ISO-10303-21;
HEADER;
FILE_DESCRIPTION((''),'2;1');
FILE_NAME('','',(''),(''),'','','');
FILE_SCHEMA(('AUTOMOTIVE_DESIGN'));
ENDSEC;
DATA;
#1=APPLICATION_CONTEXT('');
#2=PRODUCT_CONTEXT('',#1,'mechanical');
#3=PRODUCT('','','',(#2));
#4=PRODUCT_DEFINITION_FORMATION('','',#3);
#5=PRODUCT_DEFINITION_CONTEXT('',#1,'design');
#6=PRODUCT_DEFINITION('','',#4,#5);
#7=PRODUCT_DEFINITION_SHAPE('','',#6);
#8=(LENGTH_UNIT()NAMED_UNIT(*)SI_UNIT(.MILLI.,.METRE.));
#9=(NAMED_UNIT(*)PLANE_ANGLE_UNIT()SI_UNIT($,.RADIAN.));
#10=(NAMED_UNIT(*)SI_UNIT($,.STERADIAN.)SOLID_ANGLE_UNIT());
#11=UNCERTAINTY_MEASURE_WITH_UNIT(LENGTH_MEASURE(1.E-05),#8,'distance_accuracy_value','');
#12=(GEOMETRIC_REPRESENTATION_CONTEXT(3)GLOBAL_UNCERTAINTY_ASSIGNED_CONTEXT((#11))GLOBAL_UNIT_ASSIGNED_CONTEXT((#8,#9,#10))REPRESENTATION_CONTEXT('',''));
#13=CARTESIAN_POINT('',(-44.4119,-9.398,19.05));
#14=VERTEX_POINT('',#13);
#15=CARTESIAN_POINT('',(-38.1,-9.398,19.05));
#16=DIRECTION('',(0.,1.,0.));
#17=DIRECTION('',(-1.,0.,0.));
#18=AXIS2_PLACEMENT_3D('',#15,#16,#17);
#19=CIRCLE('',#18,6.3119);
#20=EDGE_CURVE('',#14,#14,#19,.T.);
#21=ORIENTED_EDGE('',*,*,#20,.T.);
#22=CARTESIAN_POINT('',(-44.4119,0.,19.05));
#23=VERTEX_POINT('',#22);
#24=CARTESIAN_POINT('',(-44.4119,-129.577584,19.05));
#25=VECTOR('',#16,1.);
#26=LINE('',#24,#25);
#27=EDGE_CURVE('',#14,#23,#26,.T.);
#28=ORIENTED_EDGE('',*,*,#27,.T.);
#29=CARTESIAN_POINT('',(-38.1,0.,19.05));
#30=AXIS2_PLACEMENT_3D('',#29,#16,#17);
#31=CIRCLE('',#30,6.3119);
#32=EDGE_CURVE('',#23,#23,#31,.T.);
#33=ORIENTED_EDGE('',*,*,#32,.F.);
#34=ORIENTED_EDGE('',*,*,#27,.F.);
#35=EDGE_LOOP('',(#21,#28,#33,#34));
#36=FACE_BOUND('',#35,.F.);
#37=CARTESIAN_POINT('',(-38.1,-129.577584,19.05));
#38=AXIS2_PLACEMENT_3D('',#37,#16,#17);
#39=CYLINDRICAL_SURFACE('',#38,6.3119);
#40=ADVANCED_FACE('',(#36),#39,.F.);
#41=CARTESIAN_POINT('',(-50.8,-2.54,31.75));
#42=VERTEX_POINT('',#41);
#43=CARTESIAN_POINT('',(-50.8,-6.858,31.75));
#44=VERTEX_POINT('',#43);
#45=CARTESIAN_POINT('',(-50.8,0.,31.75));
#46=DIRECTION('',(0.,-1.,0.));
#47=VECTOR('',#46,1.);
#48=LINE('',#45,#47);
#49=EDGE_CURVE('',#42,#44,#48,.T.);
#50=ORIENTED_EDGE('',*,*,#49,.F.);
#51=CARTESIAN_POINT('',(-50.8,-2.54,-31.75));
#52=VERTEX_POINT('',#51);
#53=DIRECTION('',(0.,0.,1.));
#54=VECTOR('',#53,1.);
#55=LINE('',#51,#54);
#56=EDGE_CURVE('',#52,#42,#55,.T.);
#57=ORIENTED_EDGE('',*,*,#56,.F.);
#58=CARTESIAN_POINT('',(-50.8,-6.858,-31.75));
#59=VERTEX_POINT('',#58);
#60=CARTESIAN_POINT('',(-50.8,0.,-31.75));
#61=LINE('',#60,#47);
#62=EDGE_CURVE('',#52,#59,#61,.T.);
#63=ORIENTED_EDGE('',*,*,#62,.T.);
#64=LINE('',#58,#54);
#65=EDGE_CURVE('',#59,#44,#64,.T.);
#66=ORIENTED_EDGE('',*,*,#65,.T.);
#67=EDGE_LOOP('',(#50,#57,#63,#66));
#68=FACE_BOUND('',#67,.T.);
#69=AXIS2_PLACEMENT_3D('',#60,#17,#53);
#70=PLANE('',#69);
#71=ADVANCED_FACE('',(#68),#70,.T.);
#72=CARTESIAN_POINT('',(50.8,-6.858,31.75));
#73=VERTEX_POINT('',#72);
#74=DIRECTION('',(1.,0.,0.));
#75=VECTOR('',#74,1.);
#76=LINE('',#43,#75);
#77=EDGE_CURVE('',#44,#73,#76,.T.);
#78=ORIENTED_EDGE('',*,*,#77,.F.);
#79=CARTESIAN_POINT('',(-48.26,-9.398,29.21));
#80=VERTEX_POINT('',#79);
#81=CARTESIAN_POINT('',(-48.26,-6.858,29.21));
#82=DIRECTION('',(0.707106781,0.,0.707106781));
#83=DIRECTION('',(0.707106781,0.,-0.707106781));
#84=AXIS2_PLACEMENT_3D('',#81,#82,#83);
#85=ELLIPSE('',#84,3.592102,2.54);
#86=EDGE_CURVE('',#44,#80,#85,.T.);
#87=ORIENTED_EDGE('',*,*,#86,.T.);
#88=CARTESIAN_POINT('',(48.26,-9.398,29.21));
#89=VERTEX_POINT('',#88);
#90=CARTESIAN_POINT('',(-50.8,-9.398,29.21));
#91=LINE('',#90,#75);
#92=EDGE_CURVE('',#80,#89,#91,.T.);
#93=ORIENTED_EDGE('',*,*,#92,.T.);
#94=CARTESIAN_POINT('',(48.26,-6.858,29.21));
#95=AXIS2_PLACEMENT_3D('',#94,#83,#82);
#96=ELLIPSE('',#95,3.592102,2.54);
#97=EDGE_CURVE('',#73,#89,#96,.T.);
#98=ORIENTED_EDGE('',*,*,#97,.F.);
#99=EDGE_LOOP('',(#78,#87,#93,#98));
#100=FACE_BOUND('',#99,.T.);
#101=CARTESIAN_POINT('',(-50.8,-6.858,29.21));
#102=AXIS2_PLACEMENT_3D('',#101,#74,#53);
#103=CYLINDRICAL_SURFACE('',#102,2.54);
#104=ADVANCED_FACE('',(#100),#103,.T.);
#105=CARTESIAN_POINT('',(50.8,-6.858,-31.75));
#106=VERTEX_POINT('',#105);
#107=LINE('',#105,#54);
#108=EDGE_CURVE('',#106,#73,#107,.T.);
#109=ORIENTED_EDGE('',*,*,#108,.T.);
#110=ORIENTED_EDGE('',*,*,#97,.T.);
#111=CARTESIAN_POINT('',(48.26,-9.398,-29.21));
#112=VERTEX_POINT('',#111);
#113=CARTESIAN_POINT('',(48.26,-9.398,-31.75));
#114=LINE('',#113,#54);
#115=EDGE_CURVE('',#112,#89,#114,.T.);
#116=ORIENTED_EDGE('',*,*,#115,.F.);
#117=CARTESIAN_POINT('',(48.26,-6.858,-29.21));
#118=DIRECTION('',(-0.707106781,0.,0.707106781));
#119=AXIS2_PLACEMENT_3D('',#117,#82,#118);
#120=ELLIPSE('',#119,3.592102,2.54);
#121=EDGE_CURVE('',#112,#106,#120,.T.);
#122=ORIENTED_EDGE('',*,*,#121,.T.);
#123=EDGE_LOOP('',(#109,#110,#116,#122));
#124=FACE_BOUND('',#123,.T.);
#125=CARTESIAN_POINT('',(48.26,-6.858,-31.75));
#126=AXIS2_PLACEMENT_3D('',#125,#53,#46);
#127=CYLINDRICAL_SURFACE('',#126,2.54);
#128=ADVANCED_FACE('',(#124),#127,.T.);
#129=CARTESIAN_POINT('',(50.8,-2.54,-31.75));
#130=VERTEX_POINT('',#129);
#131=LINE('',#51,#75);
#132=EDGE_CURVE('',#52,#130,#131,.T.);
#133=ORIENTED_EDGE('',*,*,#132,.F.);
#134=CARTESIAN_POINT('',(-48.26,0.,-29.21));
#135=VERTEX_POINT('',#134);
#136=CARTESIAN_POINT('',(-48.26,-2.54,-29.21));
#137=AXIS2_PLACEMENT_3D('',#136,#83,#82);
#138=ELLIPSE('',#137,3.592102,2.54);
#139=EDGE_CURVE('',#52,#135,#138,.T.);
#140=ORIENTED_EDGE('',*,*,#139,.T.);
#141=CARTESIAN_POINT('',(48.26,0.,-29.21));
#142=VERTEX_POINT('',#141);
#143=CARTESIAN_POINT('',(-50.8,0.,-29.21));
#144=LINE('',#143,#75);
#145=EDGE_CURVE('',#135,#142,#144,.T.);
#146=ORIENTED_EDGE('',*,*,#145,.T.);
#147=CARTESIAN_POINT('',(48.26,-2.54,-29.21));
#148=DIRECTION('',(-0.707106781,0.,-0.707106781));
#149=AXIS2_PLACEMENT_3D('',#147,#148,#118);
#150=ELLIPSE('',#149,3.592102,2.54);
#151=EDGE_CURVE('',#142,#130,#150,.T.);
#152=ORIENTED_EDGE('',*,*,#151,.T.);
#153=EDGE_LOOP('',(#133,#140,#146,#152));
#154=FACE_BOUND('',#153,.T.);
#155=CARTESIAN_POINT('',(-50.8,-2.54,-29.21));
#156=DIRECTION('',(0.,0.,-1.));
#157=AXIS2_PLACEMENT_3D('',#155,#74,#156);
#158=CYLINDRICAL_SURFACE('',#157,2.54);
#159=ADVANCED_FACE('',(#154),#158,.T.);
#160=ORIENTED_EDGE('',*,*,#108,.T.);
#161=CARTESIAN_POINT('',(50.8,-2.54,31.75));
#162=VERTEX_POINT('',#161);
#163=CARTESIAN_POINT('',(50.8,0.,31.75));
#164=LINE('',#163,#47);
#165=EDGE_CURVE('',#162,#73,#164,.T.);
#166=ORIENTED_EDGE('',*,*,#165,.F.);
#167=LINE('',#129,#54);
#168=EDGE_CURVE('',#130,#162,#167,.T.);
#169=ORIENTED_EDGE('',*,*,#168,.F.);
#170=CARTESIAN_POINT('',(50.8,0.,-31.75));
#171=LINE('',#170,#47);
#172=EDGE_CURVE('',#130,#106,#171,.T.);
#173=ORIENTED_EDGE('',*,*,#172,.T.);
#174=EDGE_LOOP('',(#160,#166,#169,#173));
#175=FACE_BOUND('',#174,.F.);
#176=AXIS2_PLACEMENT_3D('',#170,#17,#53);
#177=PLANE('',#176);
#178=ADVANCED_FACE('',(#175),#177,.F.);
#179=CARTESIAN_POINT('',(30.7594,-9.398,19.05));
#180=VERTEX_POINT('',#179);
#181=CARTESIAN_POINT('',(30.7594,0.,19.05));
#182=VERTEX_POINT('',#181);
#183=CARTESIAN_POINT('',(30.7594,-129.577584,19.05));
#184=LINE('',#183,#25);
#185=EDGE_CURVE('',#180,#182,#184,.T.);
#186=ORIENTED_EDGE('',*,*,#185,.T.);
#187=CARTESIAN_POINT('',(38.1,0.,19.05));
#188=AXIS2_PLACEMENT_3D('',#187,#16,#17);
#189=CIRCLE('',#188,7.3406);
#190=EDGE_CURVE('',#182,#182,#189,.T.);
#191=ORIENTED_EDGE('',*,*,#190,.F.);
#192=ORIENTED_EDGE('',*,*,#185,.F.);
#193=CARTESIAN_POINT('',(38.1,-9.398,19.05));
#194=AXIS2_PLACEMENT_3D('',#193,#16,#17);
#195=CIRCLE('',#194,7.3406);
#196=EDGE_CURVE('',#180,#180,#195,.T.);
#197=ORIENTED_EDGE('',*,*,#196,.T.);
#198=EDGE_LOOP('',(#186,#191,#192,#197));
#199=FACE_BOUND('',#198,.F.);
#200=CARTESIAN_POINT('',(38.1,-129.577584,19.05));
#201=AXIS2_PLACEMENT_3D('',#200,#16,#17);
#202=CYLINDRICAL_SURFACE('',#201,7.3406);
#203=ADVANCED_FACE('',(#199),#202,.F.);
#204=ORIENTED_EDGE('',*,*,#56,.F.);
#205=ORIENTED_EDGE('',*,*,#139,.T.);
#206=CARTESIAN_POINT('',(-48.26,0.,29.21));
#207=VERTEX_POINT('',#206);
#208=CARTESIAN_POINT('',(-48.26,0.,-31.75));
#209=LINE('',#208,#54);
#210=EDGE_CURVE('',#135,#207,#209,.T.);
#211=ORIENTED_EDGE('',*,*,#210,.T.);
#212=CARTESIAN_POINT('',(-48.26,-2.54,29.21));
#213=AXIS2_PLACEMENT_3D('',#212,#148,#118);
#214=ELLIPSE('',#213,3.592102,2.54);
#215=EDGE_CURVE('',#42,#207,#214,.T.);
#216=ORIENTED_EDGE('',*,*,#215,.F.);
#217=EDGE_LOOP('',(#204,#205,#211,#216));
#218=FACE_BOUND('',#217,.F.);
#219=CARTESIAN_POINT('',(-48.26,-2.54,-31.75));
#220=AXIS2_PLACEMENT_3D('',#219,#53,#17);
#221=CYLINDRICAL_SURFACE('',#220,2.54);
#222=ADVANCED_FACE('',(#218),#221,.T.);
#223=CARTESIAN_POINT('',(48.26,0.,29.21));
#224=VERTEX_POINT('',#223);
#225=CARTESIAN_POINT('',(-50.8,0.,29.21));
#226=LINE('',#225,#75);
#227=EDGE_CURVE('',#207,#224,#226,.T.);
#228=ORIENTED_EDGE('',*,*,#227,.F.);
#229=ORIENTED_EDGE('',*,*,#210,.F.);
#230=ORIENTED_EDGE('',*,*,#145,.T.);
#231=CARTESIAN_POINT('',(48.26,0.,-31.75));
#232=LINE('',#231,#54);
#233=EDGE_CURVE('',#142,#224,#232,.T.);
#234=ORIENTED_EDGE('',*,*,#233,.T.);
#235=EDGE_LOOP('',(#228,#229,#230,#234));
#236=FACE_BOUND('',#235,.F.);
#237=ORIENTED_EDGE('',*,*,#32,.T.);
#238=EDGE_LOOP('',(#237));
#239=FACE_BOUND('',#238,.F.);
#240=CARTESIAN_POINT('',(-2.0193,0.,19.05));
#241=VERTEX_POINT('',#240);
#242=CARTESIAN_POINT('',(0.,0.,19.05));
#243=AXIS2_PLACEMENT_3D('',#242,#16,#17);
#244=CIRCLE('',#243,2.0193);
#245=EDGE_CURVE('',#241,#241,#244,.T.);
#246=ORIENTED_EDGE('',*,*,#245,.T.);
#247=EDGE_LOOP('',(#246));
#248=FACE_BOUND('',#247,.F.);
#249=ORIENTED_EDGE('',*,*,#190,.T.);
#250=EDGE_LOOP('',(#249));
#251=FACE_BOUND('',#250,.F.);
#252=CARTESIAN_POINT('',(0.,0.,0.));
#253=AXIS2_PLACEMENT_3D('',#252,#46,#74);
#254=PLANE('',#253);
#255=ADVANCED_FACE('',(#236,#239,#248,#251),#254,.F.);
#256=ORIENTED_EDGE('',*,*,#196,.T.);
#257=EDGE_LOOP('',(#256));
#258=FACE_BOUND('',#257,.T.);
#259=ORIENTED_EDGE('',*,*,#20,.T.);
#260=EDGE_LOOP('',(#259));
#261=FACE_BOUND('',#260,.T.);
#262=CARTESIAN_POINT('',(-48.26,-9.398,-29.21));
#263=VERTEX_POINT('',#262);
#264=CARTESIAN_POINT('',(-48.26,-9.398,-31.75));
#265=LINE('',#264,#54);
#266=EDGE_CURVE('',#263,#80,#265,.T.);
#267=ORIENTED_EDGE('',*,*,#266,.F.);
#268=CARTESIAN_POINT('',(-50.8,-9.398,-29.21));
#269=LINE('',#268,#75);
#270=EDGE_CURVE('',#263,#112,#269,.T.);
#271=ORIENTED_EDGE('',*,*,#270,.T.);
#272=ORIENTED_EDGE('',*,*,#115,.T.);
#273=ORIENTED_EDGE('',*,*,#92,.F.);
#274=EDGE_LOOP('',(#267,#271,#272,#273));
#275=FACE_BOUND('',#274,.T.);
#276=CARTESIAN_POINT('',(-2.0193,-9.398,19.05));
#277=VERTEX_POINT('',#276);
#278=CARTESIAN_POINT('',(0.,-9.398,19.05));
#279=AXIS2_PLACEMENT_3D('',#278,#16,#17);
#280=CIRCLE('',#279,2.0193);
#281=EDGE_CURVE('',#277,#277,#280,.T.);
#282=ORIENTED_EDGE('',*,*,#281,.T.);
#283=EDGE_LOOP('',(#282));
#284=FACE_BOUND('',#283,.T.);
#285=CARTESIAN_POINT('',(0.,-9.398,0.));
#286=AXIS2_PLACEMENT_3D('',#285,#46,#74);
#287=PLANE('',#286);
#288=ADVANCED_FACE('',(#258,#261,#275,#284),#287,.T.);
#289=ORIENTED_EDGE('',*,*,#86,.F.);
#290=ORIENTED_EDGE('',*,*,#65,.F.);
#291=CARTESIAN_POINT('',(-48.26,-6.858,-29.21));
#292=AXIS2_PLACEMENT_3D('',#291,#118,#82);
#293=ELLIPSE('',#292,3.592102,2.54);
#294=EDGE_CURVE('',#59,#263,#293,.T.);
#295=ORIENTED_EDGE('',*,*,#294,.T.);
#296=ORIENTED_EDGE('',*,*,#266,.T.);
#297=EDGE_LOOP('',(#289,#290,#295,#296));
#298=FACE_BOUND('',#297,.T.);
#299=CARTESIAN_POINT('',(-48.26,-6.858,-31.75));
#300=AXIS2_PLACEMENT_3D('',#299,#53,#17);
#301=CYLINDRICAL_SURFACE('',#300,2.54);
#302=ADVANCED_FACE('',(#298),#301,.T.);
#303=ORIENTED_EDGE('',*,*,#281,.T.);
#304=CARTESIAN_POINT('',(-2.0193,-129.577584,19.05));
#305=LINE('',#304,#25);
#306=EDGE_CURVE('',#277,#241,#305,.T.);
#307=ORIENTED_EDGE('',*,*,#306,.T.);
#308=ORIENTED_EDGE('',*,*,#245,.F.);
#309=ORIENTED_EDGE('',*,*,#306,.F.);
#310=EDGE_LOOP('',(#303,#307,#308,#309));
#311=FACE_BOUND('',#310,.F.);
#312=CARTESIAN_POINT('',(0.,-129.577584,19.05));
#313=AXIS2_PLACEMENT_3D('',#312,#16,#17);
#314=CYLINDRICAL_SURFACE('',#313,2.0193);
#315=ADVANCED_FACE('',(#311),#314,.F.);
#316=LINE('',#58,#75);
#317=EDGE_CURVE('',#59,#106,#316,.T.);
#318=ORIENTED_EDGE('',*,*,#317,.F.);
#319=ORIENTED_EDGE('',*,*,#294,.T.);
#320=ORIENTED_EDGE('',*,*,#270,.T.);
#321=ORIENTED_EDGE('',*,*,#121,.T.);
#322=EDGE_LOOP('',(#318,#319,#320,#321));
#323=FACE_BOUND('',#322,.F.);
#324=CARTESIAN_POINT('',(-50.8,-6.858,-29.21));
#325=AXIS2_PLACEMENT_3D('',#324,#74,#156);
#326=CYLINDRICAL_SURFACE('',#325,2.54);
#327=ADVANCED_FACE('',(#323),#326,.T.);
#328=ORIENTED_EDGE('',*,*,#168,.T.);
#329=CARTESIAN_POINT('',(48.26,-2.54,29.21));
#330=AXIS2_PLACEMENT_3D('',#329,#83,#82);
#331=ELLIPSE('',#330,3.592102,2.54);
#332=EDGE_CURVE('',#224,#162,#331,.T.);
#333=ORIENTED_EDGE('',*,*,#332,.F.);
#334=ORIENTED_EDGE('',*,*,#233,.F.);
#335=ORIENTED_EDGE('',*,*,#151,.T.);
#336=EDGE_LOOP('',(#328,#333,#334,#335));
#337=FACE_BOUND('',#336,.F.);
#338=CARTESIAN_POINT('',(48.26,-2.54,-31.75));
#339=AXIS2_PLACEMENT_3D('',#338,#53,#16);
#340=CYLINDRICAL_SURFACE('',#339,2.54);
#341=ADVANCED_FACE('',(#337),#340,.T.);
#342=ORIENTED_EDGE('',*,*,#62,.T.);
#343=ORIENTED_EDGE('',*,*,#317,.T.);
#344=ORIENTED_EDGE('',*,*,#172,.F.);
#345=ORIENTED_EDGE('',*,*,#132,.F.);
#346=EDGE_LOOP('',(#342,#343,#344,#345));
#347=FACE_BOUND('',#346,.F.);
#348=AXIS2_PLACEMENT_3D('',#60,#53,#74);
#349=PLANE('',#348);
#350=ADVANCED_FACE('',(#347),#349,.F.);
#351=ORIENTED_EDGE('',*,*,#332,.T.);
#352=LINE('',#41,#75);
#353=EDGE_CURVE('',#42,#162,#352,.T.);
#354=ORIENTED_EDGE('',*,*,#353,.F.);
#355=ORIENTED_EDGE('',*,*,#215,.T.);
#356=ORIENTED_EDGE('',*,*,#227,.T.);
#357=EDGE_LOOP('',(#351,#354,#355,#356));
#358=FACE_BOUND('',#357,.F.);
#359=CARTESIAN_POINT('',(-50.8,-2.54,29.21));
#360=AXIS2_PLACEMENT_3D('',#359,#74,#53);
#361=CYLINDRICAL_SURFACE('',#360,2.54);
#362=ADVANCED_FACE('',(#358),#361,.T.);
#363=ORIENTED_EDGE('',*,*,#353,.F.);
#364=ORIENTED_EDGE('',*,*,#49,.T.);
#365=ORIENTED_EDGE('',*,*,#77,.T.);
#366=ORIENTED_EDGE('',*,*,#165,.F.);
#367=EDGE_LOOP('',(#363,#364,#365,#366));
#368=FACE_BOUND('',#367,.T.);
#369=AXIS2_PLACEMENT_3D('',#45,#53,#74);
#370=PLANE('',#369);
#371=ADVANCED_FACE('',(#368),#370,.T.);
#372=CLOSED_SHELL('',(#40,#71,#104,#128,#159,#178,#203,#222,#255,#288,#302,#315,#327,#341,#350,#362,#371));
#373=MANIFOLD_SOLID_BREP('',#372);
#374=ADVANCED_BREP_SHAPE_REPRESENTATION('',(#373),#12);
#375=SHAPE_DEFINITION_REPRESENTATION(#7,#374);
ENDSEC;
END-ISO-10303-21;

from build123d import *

# Parameters (mm, degrees)
F0_W     = 101.6
F0_H     = 63.5
F1_DEPTH = 9.398
F3_D     = 12.6238
F4_D     = 14.6812
F5_R     = 2.54
F6_D     = 4.0386


with BuildPart() as f1:
    # F0 (on Front) → F1 (new body)
    with BuildSketch(Plane.XZ):
        Rectangle(F0_W, F0_H)
    extrude(amount=F1_DEPTH)

    # F3 (through all)
    with Locations(Plane.XZ.offset(9.398)):
        with Locations((-38.1, 19.05)):
            Hole(F3_D / 2)

    # F4 (through all)
    with Locations(Plane.XZ.offset(9.398)):
        with Locations((38.1, 19.05)):
            Hole(F4_D / 2)

    # F5
    f5_edges = [f1.edges().sort_by_distance(p)[0] for p in [
        (0, -9.398, 31.75),
        (-50.8, -9.398, 0),
        (50.8, -9.398, 0),
        (0, -9.398, -31.75),
        (50.8, 0, 0),
        (-50.8, 0, 0),
        (0, 0, -31.75),
        (0, 0, 31.75),
    ]]
    fillet(f5_edges, radius=F5_R)

    # F6 (through all)
    with Locations(Plane.XZ.offset(9.398)):
        with Locations((0, 19.05)):
            Hole(F6_D / 2)


solid = f1.part
